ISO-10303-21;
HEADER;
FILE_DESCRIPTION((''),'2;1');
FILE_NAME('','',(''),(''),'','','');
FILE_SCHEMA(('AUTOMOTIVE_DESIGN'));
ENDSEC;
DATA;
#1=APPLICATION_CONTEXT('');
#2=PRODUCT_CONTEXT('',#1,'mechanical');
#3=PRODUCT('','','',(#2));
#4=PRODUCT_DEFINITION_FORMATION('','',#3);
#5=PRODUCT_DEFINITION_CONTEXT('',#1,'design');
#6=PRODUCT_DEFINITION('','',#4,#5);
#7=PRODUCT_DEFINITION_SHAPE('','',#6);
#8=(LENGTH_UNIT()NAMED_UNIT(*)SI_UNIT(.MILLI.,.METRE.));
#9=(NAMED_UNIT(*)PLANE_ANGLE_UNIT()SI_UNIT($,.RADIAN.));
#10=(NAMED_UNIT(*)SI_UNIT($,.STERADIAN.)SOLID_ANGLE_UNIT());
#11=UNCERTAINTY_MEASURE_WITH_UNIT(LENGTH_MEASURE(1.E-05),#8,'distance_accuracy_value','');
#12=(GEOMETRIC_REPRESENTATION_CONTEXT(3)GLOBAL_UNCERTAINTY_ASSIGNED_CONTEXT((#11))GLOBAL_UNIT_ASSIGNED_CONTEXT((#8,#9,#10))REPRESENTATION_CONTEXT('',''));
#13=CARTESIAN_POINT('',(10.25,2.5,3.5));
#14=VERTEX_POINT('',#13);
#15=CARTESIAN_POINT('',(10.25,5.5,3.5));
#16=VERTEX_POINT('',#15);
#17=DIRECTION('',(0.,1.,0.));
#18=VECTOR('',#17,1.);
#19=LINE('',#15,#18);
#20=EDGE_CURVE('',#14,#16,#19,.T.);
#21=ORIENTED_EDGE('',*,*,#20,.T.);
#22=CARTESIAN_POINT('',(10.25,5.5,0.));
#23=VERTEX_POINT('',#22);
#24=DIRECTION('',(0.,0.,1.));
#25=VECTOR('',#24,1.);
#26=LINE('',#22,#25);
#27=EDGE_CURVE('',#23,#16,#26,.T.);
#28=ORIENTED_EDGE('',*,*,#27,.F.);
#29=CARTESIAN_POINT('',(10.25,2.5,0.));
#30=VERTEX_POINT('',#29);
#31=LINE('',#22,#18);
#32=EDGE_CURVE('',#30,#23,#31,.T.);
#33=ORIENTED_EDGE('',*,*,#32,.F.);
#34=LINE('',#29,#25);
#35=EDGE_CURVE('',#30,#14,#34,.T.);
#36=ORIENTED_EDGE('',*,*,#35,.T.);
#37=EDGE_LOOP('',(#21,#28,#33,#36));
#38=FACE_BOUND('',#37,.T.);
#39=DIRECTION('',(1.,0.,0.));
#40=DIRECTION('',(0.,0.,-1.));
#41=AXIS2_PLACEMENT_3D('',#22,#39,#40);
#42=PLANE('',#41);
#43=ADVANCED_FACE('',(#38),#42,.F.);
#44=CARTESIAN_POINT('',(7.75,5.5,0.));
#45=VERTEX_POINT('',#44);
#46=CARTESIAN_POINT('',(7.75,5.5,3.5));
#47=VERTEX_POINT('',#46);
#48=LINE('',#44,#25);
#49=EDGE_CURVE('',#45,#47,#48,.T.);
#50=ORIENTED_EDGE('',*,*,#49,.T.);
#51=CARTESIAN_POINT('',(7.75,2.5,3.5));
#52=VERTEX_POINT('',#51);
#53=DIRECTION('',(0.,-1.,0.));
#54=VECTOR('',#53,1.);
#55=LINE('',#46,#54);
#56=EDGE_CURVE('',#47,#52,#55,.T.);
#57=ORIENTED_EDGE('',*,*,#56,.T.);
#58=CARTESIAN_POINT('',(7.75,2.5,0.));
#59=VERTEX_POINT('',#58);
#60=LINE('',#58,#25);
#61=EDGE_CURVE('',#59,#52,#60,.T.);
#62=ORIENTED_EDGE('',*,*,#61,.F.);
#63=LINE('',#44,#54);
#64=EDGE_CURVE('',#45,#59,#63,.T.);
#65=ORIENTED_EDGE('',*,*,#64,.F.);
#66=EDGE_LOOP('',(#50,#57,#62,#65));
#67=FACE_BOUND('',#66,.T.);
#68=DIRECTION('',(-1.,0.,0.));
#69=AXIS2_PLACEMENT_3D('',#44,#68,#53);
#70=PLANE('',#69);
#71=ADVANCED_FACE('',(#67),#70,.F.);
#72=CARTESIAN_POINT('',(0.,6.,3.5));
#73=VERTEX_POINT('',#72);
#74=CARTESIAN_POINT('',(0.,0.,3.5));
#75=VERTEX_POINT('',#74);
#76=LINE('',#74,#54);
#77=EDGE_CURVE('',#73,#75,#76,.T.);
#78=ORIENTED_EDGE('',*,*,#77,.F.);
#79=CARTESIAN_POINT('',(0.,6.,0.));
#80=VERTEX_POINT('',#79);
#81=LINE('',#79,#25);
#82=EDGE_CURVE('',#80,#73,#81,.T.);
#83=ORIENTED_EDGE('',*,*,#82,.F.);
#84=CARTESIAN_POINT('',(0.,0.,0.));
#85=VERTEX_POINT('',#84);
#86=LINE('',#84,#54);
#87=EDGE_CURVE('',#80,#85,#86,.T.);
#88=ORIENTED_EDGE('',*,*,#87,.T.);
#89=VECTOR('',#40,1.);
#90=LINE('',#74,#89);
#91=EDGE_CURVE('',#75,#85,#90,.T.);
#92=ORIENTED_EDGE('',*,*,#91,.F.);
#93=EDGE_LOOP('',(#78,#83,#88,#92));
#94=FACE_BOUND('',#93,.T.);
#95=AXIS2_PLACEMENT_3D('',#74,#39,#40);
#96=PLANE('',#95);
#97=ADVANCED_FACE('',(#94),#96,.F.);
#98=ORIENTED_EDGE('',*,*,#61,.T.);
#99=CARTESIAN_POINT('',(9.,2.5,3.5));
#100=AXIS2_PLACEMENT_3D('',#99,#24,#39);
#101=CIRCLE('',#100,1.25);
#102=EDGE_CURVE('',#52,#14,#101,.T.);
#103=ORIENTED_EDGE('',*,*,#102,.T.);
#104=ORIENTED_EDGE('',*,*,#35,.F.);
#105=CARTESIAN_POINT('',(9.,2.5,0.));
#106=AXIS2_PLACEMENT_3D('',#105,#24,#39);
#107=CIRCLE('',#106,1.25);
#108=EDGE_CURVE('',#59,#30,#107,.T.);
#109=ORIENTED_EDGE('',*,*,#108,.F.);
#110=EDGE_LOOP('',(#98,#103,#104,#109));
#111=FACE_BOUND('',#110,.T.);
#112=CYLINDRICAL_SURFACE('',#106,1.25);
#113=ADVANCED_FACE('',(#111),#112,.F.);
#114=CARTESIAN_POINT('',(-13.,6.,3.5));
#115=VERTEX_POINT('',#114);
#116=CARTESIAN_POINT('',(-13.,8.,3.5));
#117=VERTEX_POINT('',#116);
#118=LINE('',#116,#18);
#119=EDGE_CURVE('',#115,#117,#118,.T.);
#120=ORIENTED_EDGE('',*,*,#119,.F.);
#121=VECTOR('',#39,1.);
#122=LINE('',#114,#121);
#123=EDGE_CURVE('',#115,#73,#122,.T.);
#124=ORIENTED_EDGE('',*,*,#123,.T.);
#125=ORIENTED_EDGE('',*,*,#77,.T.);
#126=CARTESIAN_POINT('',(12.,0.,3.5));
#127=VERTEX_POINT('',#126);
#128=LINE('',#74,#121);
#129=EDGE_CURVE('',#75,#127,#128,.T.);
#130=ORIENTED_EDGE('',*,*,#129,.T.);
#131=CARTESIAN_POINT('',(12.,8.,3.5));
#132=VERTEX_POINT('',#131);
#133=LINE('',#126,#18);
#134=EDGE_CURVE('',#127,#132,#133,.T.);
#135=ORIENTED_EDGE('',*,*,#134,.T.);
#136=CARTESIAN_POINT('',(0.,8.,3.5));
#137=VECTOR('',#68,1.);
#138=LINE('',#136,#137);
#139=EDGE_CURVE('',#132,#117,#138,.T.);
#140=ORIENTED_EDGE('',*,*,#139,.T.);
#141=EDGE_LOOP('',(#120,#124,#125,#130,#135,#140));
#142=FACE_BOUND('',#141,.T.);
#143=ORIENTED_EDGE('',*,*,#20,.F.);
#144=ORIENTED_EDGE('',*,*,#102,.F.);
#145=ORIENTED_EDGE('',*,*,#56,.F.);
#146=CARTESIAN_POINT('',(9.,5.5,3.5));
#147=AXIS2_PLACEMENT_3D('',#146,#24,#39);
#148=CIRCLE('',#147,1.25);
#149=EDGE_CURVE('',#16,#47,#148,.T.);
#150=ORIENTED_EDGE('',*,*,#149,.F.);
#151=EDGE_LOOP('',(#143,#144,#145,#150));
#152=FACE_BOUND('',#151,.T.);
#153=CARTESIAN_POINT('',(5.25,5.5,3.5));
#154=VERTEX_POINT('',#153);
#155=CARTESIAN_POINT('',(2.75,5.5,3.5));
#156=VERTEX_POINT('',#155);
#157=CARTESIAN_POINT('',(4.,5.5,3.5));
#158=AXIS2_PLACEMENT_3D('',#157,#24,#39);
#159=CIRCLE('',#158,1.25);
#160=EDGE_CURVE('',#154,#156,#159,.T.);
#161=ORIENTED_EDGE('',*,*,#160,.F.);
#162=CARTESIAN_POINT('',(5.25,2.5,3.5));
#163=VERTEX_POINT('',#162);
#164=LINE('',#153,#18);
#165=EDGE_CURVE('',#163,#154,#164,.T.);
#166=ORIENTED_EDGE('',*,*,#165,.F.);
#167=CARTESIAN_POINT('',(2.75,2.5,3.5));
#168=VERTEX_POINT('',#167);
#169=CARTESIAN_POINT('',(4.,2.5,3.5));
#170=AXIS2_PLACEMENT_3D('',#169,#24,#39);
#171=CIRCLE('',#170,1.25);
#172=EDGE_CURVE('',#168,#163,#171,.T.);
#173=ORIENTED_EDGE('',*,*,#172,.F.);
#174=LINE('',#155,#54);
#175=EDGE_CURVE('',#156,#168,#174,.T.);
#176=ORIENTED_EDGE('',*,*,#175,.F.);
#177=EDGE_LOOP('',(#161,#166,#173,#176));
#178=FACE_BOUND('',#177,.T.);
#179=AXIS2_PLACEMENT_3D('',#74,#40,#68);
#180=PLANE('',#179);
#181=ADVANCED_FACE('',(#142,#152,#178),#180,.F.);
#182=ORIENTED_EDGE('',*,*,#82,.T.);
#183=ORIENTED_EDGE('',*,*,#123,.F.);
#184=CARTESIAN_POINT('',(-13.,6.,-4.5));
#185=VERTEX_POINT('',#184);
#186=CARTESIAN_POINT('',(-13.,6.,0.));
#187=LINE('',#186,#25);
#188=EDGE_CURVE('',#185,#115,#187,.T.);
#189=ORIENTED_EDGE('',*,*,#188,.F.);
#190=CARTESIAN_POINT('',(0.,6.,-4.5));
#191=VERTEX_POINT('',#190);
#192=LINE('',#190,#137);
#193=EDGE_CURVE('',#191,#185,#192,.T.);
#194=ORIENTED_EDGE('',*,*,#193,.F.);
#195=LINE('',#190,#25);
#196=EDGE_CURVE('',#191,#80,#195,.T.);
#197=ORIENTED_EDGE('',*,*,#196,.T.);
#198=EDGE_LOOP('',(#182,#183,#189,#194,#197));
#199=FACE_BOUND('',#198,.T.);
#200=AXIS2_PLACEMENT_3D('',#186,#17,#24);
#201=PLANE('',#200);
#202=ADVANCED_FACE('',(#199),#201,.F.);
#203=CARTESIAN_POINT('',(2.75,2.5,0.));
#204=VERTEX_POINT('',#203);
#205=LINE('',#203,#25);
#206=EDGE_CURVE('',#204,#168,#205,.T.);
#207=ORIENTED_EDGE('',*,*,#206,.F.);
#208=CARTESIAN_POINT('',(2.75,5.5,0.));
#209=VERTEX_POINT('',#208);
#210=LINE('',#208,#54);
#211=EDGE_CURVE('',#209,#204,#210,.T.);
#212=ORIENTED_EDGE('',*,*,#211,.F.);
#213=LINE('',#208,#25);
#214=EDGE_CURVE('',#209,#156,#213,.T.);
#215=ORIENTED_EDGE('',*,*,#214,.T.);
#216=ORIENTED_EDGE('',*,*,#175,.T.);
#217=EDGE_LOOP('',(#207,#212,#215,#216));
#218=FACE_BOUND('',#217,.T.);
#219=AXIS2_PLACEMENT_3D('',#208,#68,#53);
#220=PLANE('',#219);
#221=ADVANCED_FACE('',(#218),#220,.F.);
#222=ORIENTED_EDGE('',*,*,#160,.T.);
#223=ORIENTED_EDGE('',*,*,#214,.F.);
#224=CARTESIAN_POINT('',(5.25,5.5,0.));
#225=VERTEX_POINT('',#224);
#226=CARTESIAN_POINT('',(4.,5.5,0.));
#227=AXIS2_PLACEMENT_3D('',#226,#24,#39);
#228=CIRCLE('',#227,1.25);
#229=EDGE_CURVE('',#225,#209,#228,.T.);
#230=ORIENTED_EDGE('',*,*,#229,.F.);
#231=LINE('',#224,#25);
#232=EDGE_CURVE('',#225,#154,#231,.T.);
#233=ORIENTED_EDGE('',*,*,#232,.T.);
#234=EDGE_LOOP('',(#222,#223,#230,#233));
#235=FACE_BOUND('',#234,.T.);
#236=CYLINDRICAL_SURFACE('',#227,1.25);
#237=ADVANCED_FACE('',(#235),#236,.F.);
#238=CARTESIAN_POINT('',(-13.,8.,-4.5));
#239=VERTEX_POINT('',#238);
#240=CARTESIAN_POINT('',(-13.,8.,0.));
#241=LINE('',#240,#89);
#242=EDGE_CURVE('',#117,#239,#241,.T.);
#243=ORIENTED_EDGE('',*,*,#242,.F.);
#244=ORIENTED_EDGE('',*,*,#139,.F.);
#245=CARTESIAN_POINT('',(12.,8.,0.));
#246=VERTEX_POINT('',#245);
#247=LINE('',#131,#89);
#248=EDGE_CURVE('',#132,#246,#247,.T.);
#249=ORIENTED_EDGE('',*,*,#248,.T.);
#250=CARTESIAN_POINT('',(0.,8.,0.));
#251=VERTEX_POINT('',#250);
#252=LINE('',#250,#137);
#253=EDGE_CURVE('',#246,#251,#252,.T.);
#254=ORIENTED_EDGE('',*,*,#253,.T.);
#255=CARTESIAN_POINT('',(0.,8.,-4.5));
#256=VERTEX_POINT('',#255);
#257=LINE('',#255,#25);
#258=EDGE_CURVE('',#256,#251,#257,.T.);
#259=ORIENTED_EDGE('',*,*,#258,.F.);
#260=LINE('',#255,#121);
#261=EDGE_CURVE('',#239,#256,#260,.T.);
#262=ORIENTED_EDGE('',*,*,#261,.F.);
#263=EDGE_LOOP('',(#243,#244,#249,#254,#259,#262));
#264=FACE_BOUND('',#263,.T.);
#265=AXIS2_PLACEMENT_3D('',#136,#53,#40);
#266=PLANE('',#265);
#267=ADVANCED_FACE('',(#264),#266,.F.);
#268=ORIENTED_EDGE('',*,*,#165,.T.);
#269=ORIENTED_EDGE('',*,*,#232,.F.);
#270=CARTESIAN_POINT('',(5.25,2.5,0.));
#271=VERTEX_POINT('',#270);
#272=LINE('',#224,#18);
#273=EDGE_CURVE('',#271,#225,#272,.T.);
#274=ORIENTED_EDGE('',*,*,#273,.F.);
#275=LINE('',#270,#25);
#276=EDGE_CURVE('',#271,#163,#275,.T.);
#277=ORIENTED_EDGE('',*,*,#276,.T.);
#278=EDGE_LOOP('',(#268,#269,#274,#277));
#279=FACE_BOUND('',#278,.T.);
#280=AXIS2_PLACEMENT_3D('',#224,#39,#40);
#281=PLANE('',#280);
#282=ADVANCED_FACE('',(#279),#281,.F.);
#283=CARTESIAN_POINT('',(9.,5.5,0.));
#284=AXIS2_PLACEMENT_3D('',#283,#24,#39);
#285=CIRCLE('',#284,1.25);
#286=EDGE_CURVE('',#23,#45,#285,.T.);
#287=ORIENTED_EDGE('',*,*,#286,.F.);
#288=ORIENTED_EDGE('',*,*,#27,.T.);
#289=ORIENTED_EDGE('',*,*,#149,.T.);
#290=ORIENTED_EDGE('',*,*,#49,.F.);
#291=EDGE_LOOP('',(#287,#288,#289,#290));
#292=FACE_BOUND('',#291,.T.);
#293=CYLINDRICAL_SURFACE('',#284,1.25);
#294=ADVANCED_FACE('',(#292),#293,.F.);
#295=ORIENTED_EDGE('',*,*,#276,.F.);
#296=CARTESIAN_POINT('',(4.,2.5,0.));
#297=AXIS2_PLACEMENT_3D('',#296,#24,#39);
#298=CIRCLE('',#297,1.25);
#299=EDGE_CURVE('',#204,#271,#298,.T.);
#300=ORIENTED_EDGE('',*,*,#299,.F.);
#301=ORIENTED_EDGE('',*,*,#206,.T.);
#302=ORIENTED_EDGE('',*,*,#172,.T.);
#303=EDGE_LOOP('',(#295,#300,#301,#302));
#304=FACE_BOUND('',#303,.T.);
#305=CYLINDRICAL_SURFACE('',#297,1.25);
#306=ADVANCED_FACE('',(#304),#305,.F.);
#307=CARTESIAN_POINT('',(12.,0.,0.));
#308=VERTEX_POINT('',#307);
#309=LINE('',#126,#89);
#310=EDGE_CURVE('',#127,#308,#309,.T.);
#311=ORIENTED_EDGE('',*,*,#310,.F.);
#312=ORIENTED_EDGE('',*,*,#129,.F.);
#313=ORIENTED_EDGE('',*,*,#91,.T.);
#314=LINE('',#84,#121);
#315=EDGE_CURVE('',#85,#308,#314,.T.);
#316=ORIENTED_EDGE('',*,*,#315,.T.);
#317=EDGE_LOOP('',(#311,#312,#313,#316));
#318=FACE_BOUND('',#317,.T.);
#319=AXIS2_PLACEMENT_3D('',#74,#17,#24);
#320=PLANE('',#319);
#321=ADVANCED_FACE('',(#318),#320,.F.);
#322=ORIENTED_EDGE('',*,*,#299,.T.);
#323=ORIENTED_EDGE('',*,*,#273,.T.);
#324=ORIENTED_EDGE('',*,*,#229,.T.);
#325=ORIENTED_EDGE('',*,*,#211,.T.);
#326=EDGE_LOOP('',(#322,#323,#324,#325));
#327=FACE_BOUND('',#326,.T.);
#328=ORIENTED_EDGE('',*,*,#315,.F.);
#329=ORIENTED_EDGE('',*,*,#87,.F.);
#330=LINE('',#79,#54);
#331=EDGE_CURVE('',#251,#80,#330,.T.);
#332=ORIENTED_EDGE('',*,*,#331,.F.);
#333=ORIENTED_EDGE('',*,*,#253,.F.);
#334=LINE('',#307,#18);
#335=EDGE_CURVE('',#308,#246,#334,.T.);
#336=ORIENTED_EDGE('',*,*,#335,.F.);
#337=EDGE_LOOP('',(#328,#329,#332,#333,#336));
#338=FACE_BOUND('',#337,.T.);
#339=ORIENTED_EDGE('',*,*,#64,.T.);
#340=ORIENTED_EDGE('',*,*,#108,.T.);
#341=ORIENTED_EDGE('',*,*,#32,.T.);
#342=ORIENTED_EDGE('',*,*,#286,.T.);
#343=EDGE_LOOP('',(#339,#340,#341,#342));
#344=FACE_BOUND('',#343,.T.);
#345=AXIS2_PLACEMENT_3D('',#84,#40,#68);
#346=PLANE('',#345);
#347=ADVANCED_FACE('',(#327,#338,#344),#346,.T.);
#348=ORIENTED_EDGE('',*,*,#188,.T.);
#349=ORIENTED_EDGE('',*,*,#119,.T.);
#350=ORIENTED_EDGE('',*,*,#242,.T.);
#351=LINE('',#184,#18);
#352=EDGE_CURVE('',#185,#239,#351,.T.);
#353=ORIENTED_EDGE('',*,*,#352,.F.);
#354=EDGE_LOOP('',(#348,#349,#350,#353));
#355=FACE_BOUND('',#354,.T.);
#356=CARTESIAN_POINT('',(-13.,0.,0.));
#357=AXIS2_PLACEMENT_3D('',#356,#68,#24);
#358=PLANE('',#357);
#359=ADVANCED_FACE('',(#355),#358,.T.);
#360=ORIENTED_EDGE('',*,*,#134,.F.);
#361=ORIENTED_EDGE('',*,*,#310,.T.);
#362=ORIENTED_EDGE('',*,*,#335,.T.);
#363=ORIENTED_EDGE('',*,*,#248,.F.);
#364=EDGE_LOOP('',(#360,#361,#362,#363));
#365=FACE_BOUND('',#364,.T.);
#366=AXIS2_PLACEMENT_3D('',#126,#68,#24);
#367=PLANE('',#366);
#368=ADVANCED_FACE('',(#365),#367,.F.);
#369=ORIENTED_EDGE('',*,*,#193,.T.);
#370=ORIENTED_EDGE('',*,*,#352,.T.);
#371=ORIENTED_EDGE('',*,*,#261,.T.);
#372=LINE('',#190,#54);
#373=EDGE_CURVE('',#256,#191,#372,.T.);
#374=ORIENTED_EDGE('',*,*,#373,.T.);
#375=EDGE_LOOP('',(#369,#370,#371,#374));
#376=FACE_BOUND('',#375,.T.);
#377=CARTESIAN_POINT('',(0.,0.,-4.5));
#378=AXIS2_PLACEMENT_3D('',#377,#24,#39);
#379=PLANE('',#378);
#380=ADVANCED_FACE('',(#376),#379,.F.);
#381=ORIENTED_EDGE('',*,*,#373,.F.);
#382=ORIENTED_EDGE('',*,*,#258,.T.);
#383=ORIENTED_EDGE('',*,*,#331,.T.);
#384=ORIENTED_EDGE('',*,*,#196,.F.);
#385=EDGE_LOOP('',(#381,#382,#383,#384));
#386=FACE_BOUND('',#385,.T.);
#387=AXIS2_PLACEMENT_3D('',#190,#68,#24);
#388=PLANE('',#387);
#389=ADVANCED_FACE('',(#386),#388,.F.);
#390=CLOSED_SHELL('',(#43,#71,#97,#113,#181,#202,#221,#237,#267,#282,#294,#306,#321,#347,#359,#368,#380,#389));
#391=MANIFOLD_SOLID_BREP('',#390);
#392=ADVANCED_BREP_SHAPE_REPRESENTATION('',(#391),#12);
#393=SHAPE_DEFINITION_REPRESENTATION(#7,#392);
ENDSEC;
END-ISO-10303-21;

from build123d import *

# Parameters (mm, degrees)
SKETCH1_W           = 12
SKETCH1_H           = 8
BOSS_EXTRUDE1_DEPTH = 3.5
CUT_EXTRUDE1_DEPTH  = 4.5
SKETCH3_W           = 3.5
SKETCH3_H           = 2
BOSS_EXTRUDE2_DEPTH = 13
SKETCH4_W           = 13
SKETCH4_H           = 2
BOSS_EXTRUDE3_DEPTH = 4.5


with BuildPart() as part:
    # Sketch1 → Boss-Extrude1 (new body)
    with BuildSketch(Plane.XY):
        with Locations((6, 4)):
            Rectangle(SKETCH1_W, SKETCH1_H)
    extrude(amount=BOSS_EXTRUDE1_DEPTH)

    # Sketch2 → Cut-Extrude1 (cut, through all)
    with BuildSketch(Plane.XY.offset(3.5)):
        with BuildLine():
            Line((5.25, 5.5), (5.25, 2.5))
            ThreePointArc((5.25, 2.5), (4, 1.25), (2.75, 2.5))
            Line((2.75, 2.5), (2.75, 5.5))
            ThreePointArc((2.75, 5.5), (4, 6.75), (5.25, 5.5))
        make_face()
        with BuildLine():
            Line((10.25, 5.5), (10.25, 2.5))
            ThreePointArc((10.25, 2.5), (9, 1.25), (7.75, 2.5))
            Line((7.75, 2.5), (7.75, 5.5))
            ThreePointArc((7.75, 5.5), (9, 6.75), (10.25, 5.5))
        make_face()
    extrude(amount=-CUT_EXTRUDE1_DEPTH, mode=Mode.SUBTRACT)

    # Sketch3 → Boss-Extrude2 (add)
    with BuildSketch(Plane.ZY):
        with Locations((1.75, 7)):
            Rectangle(SKETCH3_W, SKETCH3_H)
    extrude(amount=BOSS_EXTRUDE2_DEPTH)

    # Sketch4 → Boss-Extrude3 (add)
    with BuildSketch(Plane(origin=(0, 0, 0), x_dir=(-1, 0, 0), z_dir=(0, 0, -1))):
        with Locations((6.5, 7)):
            Rectangle(SKETCH4_W, SKETCH4_H)
    extrude(amount=BOSS_EXTRUDE3_DEPTH)


solid = part.part
